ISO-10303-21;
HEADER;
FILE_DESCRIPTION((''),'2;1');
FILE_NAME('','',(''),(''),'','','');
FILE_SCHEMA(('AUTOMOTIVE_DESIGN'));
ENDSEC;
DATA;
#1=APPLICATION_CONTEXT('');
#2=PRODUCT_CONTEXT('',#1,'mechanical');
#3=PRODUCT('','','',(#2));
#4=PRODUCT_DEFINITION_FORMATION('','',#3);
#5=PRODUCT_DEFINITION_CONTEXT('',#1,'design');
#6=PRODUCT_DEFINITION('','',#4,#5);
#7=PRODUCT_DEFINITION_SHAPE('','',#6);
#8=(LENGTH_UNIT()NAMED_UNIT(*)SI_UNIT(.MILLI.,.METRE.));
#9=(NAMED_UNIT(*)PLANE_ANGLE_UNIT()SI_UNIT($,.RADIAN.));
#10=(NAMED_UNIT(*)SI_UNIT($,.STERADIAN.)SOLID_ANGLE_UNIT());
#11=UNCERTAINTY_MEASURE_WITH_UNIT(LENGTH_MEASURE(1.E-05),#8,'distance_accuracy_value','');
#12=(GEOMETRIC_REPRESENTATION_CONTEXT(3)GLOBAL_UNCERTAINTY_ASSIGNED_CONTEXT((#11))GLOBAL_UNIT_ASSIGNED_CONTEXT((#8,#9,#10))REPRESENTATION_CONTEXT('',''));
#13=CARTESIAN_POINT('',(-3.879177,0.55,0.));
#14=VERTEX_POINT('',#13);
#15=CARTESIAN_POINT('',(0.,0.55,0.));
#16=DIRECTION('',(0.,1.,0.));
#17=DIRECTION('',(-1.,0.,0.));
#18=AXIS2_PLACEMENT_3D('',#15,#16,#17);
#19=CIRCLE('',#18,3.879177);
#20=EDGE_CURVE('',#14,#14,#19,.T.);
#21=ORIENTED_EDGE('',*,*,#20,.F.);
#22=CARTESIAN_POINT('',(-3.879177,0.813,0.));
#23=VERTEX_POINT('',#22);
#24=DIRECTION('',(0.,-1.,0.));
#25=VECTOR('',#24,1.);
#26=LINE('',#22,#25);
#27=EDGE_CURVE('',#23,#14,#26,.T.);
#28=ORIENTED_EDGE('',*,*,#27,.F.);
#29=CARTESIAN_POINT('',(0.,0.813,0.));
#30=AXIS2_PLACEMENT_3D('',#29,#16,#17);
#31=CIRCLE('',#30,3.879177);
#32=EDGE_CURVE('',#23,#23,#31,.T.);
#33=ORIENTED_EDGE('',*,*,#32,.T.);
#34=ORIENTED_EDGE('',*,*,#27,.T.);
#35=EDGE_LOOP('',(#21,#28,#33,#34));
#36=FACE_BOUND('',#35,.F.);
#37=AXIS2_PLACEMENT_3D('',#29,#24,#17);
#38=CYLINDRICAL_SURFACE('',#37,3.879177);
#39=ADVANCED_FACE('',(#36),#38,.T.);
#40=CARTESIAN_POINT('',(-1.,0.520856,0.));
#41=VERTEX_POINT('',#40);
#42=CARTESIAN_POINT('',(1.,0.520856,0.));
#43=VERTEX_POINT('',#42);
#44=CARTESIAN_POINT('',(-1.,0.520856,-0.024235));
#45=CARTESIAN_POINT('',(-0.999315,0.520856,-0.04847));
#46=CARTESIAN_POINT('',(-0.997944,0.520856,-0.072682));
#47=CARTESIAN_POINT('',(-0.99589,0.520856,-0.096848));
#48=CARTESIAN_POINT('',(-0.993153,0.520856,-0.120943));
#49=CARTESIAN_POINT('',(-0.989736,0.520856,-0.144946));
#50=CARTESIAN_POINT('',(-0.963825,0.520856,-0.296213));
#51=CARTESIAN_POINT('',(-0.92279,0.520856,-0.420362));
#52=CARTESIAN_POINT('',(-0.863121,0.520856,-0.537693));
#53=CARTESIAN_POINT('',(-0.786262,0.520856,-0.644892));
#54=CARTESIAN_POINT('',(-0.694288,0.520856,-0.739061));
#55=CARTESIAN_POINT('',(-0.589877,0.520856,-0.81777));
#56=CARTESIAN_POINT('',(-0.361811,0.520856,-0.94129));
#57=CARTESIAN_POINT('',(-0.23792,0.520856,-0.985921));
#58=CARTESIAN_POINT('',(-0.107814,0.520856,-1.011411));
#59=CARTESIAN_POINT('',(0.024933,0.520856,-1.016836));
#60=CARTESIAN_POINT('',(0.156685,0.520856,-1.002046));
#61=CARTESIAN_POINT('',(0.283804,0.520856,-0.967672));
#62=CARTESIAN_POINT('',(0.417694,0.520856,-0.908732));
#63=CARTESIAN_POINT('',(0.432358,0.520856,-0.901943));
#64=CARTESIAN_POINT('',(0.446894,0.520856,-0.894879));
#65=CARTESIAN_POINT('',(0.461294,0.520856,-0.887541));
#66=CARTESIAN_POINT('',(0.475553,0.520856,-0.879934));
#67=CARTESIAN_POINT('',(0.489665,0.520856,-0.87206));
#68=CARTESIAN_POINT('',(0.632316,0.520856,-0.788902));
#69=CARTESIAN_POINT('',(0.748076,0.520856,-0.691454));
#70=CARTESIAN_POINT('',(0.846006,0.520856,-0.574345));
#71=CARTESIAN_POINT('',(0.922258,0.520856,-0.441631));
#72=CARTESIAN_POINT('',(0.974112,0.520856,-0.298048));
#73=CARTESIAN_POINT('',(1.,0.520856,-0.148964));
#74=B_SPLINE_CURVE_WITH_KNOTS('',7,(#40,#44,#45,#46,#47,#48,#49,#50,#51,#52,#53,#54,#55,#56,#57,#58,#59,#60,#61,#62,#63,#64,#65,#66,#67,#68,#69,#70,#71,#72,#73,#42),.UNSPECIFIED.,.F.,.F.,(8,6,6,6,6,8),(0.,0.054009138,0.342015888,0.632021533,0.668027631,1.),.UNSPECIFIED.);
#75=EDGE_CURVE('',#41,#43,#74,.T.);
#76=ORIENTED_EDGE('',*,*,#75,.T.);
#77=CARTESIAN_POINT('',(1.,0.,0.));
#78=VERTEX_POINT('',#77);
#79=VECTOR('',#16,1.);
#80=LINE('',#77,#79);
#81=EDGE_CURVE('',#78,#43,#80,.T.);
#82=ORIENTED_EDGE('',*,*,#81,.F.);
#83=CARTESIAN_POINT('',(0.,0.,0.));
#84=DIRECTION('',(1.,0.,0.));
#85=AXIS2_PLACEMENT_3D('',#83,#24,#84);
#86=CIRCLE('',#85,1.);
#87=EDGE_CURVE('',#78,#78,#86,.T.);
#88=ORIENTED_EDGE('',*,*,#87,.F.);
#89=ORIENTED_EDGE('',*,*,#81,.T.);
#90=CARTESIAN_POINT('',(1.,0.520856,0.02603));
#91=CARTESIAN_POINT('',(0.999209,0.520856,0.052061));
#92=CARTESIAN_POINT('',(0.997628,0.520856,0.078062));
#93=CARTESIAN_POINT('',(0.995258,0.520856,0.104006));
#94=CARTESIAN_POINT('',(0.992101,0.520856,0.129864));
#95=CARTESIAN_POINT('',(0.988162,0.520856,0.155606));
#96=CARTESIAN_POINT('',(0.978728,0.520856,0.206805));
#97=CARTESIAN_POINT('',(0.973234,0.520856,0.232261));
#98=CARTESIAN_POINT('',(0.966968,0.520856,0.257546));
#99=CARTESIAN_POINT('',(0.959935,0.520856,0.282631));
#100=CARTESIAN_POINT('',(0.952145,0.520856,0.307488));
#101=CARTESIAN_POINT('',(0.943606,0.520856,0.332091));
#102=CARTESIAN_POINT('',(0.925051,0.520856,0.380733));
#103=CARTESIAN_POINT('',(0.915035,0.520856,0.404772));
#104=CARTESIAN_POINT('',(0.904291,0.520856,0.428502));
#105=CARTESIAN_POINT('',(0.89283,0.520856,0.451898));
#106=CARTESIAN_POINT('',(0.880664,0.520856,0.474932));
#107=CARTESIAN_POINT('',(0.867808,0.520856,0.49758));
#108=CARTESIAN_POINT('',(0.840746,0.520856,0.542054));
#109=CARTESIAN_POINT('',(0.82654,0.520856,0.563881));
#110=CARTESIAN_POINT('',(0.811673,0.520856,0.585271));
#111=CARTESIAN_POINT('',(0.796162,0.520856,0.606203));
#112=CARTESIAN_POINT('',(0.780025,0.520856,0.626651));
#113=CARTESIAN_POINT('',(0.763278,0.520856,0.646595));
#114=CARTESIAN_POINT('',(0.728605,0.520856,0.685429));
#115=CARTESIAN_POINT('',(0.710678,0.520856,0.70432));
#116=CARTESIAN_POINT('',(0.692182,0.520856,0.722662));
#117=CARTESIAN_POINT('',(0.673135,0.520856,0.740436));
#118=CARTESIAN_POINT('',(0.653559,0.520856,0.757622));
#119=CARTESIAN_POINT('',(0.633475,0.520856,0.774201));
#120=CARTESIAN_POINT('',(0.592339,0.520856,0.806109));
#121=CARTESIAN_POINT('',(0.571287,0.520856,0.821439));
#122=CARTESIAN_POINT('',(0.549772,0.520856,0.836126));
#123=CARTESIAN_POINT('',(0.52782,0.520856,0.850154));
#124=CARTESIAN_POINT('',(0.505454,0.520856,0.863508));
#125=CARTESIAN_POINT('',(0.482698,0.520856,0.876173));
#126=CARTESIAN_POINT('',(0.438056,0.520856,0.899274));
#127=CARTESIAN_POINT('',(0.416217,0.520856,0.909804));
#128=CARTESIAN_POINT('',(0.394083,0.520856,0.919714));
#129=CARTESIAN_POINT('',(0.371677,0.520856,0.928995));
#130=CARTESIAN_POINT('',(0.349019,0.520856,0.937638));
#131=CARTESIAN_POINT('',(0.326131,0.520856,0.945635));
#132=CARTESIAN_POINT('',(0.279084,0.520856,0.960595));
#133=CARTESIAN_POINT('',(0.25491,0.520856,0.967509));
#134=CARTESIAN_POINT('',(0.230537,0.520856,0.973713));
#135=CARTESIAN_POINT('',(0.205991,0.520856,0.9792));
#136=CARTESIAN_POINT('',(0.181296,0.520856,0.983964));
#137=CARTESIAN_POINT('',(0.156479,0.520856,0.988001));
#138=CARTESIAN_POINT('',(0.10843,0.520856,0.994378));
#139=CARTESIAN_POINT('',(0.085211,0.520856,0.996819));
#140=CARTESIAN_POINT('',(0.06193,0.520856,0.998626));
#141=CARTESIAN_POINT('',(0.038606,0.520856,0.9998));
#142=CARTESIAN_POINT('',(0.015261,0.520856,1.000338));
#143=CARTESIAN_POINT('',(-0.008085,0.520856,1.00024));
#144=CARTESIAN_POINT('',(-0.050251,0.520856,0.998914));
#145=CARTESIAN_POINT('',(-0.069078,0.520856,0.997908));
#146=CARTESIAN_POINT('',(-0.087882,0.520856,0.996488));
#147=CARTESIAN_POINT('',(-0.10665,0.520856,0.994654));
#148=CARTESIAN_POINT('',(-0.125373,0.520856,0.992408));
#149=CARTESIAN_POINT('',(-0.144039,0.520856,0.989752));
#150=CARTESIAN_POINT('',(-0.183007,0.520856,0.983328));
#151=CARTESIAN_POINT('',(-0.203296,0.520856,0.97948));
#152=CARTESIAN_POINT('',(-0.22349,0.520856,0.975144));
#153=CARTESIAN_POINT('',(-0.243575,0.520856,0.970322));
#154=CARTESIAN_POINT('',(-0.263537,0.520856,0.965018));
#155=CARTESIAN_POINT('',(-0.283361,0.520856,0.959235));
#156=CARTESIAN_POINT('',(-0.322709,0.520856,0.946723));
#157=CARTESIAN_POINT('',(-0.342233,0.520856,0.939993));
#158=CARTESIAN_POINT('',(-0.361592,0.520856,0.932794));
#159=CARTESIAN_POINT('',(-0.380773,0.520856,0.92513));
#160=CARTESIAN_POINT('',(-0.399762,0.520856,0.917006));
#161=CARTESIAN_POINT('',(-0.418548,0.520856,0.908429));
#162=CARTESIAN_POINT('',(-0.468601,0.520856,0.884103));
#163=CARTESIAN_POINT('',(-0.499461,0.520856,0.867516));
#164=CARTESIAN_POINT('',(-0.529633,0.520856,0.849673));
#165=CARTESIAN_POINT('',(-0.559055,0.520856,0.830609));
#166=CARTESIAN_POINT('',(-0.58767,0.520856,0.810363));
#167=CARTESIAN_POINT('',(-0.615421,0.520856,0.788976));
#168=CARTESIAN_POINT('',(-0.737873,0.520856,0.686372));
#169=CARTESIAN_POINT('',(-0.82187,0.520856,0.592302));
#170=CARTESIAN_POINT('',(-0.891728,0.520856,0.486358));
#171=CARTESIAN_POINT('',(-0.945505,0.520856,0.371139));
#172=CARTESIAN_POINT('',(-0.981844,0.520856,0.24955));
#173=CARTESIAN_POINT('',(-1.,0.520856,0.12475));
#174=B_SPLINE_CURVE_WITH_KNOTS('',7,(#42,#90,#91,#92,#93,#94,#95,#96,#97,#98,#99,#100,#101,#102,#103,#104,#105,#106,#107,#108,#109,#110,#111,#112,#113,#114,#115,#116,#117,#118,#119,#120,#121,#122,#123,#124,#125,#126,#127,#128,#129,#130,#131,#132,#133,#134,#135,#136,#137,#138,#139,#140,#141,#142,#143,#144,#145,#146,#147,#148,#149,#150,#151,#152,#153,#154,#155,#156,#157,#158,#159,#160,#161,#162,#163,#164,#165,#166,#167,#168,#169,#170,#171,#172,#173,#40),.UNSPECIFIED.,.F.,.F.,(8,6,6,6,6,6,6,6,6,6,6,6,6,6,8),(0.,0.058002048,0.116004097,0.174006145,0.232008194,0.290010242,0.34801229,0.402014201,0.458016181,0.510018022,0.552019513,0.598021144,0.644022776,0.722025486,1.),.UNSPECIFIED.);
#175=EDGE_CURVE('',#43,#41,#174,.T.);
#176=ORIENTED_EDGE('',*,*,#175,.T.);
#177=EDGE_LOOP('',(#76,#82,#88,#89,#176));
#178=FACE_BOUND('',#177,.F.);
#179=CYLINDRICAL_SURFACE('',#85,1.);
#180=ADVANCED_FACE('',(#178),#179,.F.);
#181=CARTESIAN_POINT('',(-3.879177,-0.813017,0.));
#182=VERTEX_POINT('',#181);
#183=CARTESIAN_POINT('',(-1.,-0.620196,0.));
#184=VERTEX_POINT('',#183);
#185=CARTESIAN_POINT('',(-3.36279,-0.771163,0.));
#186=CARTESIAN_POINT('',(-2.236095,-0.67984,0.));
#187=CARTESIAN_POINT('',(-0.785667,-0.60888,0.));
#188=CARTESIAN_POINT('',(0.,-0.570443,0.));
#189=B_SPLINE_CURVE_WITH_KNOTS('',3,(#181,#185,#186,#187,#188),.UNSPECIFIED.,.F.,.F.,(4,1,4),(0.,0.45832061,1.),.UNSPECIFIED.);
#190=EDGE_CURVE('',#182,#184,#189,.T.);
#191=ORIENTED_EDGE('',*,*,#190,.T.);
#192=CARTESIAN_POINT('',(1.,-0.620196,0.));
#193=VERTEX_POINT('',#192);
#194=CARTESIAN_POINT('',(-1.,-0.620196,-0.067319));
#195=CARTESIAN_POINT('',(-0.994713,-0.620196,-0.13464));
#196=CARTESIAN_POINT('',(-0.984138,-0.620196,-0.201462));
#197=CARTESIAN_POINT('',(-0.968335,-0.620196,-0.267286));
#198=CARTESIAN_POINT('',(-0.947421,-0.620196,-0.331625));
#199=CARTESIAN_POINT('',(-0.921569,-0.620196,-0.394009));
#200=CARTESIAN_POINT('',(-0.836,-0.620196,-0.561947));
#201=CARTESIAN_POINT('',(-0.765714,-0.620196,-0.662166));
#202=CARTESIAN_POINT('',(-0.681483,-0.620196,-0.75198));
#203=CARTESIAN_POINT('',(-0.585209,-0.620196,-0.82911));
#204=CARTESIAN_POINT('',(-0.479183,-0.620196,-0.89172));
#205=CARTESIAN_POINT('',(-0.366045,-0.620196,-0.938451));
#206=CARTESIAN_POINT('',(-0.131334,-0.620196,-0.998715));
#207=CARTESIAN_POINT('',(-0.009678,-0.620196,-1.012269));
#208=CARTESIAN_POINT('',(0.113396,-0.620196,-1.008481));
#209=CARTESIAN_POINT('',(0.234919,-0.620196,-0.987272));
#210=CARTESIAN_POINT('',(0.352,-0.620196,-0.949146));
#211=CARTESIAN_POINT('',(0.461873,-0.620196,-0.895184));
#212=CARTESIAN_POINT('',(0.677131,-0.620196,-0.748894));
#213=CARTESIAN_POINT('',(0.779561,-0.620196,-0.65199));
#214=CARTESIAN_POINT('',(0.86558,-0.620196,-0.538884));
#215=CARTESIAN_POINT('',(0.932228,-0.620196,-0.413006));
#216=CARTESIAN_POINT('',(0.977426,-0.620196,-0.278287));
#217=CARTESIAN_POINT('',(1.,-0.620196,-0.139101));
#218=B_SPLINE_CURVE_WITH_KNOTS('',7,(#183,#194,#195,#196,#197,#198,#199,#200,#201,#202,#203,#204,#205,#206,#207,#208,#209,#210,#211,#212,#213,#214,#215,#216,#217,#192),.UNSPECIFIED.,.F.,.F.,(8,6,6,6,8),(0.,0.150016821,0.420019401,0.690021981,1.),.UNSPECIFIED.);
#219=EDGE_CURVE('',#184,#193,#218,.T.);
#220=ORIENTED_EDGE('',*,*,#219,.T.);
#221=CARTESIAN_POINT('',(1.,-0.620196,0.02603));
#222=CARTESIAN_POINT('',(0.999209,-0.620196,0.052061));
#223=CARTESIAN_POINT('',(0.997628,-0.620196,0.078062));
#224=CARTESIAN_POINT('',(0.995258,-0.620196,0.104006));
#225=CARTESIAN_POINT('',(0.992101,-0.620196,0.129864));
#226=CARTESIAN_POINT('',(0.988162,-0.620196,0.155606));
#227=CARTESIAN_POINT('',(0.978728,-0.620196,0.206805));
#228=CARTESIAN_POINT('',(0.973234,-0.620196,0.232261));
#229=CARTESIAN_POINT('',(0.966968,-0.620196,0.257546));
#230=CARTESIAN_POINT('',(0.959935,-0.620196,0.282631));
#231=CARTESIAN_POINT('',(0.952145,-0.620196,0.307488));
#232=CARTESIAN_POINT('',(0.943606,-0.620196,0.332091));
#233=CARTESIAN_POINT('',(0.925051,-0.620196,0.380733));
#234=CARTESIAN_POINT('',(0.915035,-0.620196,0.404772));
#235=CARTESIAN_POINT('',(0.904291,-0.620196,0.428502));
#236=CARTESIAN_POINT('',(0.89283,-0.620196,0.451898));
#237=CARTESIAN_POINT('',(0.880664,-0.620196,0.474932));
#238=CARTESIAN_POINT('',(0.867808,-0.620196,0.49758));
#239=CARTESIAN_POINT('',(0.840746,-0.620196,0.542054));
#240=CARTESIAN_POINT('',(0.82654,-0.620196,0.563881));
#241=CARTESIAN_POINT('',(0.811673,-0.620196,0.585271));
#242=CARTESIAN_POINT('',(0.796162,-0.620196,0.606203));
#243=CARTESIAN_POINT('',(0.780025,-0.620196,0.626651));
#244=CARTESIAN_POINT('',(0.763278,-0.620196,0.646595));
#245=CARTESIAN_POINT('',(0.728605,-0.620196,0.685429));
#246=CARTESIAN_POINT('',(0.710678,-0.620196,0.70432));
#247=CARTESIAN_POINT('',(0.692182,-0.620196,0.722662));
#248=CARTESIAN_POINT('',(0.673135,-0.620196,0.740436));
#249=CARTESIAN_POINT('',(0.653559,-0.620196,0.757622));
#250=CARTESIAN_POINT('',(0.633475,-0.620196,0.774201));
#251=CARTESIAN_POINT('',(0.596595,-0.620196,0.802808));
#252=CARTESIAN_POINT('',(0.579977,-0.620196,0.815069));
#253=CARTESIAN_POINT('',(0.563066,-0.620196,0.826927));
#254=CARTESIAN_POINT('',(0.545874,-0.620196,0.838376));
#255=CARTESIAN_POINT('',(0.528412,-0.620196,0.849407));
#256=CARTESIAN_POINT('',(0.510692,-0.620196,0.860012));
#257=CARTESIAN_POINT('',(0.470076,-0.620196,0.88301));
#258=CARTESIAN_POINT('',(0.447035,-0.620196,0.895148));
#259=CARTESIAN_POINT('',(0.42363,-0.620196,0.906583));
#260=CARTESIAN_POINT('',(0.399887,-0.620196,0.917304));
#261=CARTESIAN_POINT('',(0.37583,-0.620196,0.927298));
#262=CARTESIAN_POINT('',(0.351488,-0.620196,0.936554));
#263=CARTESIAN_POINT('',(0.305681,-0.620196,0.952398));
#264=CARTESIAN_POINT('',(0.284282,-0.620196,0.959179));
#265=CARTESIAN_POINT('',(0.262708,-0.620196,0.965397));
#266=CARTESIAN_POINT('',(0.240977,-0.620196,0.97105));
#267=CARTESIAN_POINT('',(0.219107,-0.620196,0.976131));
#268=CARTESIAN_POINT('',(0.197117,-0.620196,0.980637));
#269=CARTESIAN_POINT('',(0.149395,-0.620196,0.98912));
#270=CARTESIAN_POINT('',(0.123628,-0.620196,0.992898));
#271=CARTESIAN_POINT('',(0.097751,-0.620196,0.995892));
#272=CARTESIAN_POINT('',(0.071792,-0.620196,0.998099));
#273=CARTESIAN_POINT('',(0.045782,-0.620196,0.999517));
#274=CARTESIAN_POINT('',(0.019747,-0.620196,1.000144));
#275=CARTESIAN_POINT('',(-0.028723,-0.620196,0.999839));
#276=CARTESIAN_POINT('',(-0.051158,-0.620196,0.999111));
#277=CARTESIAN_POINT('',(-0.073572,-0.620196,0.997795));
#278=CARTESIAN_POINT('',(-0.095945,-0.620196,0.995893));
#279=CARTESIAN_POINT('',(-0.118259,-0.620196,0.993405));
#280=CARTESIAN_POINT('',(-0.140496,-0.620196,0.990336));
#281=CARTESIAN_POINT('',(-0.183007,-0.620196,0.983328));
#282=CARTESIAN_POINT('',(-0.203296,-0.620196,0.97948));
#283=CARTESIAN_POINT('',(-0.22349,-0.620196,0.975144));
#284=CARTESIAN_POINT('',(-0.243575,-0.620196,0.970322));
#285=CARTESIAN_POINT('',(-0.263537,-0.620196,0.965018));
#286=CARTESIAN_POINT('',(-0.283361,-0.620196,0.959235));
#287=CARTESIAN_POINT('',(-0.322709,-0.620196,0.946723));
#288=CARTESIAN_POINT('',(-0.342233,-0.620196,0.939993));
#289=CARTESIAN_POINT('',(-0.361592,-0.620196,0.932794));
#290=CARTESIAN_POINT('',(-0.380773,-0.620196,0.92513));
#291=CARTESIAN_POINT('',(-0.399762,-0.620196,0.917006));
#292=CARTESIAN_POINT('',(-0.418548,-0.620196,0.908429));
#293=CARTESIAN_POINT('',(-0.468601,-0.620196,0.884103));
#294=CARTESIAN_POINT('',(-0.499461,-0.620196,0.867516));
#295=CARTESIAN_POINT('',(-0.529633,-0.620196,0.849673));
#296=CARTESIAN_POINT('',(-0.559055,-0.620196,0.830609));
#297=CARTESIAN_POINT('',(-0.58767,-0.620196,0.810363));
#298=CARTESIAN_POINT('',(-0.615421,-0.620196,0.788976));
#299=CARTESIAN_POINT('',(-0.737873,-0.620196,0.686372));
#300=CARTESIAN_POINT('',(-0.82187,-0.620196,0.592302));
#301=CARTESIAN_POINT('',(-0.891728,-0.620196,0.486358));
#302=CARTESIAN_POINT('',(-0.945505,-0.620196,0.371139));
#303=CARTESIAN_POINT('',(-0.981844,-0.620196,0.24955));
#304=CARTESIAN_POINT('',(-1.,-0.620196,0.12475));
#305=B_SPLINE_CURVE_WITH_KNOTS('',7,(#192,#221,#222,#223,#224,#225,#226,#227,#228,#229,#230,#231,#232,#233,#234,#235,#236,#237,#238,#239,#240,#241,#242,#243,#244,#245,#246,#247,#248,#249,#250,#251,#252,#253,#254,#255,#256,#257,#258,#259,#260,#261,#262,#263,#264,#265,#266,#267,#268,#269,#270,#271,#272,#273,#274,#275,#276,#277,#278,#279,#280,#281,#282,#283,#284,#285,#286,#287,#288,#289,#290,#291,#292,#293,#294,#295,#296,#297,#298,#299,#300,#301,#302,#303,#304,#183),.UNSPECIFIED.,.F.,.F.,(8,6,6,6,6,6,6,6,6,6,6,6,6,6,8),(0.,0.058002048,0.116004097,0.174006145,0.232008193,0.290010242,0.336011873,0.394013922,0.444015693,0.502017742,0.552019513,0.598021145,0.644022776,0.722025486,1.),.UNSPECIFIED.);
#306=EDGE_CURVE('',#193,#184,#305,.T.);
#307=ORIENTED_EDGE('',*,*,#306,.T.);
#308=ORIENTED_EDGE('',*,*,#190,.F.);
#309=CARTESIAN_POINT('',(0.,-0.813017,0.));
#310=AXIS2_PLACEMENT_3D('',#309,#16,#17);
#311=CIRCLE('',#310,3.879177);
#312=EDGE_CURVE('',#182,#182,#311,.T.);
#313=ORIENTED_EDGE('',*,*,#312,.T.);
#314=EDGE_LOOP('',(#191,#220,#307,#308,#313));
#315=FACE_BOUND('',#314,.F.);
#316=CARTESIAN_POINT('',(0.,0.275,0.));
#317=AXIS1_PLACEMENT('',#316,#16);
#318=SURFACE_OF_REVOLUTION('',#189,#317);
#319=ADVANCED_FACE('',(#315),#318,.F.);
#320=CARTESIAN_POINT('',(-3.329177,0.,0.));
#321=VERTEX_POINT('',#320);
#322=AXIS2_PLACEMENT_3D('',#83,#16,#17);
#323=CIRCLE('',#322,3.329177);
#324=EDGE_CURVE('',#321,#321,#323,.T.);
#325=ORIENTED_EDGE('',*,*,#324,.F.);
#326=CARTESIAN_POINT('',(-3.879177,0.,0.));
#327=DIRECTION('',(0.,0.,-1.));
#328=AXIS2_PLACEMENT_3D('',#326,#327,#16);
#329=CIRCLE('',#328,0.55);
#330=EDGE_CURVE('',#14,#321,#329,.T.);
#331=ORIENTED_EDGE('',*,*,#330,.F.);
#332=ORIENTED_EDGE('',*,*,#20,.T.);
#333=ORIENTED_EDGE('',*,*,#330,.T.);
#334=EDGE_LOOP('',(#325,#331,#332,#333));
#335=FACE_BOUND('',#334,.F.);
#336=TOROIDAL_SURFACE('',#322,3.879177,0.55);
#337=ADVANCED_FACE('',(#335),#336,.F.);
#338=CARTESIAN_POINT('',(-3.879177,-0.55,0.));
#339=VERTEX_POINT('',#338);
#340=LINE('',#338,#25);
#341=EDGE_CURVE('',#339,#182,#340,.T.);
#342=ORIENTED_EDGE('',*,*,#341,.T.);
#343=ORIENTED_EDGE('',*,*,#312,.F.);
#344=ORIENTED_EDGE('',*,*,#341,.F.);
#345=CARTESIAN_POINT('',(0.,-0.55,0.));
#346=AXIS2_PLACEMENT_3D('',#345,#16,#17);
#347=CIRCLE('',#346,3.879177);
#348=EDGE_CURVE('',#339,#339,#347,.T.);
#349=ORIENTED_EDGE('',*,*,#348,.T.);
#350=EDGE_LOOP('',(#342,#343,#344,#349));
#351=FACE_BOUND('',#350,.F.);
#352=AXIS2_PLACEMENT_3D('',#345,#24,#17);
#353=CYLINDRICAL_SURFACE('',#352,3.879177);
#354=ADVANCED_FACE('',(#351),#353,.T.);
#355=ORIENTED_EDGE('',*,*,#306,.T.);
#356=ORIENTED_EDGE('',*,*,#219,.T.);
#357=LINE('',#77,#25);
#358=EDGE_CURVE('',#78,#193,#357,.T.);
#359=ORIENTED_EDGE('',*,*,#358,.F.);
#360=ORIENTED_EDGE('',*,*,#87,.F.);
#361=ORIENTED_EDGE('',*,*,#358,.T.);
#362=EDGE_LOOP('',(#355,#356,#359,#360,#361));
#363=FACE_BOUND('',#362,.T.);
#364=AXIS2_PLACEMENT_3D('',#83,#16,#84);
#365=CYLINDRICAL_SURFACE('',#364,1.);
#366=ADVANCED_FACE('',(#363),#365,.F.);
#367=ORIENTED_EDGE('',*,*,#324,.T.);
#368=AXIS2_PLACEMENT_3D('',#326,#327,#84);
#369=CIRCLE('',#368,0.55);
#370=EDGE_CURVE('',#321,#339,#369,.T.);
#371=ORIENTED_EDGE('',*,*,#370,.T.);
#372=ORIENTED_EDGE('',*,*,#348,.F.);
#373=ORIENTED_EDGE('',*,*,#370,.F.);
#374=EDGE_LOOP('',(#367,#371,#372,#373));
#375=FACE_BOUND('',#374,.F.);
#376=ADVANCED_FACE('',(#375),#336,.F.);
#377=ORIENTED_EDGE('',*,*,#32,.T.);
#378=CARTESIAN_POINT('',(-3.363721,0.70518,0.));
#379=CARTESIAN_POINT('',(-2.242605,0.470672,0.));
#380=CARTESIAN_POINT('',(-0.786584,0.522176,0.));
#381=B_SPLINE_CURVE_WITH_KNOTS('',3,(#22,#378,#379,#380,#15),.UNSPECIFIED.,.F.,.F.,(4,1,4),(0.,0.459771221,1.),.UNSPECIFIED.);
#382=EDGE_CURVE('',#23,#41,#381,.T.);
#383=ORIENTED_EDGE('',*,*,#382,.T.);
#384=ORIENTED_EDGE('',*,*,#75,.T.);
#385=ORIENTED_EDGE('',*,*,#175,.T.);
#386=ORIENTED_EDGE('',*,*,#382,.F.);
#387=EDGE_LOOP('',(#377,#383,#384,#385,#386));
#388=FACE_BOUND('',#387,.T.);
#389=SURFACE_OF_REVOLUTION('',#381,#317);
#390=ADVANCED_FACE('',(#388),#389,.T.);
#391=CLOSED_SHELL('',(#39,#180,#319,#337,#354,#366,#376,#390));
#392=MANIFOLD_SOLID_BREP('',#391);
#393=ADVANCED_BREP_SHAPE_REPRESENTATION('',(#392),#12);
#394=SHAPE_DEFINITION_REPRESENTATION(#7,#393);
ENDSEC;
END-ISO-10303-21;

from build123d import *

# Parameters (mm, degrees)
F2_R          = 1
F3_DEPTH      = 9
F3_DEPTH_BACK = 10.2


with BuildPart() as f1:
    # F0 (on Top) → F1 (revolve)
    with BuildSketch(Plane.XY):
        with BuildLine():
            ThreePointArc((-3.3291771512, 0), (-3.4902684216, -0.3889087297), (-3.8791771512, -0.55))
            Line((-3.8791771512, -0.55), (-3.8791771512, -0.8130174247))
            add(Edge.make_bspline(
                [(-3.8791771512, -0.8130174247), (-3.3627895766, -0.7711625564), (-2.2360945011, -0.6798403088), (-0.7856667947, -0.6088802847), (0, -0.5704427022)],
                knots=[0, 0, 0, 0, 0.4583206103, 1, 1, 1, 1], degree=3))
            Line((0, -0.5704427022), (0, 0))
            Line((0, 0), (0, 0.55))
            add(Edge.make_bspline(
                [(-3.8791771512, 0.813), (-3.3637205638, 0.7051800282), (-2.2426051819, 0.4706721533), (-0.7865843545, 0.5221760908), (0, 0.55)],
                knots=[0, 0, 0, 0, 0.4597712206, 1, 1, 1, 1], degree=3))
            Line((-3.8791771512, 0.813), (-3.8791771512, 0.55))
            ThreePointArc((-3.8791771512, 0.55), (-3.4902684216, 0.3889087297), (-3.3291771512, 0))
        make_face()
    revolve(axis=Axis((0, 0.275, 0), (0, 1, 0)))

    # F2 (on Front) → F3 (cut, two sides)
    with BuildSketch(Plane.XZ) as f3_sk:
        Circle(F2_R)
    extrude(amount=-F3_DEPTH, mode=Mode.SUBTRACT)
    extrude(f3_sk.sketch, amount=F3_DEPTH_BACK, mode=Mode.SUBTRACT)


solid = f1.part
